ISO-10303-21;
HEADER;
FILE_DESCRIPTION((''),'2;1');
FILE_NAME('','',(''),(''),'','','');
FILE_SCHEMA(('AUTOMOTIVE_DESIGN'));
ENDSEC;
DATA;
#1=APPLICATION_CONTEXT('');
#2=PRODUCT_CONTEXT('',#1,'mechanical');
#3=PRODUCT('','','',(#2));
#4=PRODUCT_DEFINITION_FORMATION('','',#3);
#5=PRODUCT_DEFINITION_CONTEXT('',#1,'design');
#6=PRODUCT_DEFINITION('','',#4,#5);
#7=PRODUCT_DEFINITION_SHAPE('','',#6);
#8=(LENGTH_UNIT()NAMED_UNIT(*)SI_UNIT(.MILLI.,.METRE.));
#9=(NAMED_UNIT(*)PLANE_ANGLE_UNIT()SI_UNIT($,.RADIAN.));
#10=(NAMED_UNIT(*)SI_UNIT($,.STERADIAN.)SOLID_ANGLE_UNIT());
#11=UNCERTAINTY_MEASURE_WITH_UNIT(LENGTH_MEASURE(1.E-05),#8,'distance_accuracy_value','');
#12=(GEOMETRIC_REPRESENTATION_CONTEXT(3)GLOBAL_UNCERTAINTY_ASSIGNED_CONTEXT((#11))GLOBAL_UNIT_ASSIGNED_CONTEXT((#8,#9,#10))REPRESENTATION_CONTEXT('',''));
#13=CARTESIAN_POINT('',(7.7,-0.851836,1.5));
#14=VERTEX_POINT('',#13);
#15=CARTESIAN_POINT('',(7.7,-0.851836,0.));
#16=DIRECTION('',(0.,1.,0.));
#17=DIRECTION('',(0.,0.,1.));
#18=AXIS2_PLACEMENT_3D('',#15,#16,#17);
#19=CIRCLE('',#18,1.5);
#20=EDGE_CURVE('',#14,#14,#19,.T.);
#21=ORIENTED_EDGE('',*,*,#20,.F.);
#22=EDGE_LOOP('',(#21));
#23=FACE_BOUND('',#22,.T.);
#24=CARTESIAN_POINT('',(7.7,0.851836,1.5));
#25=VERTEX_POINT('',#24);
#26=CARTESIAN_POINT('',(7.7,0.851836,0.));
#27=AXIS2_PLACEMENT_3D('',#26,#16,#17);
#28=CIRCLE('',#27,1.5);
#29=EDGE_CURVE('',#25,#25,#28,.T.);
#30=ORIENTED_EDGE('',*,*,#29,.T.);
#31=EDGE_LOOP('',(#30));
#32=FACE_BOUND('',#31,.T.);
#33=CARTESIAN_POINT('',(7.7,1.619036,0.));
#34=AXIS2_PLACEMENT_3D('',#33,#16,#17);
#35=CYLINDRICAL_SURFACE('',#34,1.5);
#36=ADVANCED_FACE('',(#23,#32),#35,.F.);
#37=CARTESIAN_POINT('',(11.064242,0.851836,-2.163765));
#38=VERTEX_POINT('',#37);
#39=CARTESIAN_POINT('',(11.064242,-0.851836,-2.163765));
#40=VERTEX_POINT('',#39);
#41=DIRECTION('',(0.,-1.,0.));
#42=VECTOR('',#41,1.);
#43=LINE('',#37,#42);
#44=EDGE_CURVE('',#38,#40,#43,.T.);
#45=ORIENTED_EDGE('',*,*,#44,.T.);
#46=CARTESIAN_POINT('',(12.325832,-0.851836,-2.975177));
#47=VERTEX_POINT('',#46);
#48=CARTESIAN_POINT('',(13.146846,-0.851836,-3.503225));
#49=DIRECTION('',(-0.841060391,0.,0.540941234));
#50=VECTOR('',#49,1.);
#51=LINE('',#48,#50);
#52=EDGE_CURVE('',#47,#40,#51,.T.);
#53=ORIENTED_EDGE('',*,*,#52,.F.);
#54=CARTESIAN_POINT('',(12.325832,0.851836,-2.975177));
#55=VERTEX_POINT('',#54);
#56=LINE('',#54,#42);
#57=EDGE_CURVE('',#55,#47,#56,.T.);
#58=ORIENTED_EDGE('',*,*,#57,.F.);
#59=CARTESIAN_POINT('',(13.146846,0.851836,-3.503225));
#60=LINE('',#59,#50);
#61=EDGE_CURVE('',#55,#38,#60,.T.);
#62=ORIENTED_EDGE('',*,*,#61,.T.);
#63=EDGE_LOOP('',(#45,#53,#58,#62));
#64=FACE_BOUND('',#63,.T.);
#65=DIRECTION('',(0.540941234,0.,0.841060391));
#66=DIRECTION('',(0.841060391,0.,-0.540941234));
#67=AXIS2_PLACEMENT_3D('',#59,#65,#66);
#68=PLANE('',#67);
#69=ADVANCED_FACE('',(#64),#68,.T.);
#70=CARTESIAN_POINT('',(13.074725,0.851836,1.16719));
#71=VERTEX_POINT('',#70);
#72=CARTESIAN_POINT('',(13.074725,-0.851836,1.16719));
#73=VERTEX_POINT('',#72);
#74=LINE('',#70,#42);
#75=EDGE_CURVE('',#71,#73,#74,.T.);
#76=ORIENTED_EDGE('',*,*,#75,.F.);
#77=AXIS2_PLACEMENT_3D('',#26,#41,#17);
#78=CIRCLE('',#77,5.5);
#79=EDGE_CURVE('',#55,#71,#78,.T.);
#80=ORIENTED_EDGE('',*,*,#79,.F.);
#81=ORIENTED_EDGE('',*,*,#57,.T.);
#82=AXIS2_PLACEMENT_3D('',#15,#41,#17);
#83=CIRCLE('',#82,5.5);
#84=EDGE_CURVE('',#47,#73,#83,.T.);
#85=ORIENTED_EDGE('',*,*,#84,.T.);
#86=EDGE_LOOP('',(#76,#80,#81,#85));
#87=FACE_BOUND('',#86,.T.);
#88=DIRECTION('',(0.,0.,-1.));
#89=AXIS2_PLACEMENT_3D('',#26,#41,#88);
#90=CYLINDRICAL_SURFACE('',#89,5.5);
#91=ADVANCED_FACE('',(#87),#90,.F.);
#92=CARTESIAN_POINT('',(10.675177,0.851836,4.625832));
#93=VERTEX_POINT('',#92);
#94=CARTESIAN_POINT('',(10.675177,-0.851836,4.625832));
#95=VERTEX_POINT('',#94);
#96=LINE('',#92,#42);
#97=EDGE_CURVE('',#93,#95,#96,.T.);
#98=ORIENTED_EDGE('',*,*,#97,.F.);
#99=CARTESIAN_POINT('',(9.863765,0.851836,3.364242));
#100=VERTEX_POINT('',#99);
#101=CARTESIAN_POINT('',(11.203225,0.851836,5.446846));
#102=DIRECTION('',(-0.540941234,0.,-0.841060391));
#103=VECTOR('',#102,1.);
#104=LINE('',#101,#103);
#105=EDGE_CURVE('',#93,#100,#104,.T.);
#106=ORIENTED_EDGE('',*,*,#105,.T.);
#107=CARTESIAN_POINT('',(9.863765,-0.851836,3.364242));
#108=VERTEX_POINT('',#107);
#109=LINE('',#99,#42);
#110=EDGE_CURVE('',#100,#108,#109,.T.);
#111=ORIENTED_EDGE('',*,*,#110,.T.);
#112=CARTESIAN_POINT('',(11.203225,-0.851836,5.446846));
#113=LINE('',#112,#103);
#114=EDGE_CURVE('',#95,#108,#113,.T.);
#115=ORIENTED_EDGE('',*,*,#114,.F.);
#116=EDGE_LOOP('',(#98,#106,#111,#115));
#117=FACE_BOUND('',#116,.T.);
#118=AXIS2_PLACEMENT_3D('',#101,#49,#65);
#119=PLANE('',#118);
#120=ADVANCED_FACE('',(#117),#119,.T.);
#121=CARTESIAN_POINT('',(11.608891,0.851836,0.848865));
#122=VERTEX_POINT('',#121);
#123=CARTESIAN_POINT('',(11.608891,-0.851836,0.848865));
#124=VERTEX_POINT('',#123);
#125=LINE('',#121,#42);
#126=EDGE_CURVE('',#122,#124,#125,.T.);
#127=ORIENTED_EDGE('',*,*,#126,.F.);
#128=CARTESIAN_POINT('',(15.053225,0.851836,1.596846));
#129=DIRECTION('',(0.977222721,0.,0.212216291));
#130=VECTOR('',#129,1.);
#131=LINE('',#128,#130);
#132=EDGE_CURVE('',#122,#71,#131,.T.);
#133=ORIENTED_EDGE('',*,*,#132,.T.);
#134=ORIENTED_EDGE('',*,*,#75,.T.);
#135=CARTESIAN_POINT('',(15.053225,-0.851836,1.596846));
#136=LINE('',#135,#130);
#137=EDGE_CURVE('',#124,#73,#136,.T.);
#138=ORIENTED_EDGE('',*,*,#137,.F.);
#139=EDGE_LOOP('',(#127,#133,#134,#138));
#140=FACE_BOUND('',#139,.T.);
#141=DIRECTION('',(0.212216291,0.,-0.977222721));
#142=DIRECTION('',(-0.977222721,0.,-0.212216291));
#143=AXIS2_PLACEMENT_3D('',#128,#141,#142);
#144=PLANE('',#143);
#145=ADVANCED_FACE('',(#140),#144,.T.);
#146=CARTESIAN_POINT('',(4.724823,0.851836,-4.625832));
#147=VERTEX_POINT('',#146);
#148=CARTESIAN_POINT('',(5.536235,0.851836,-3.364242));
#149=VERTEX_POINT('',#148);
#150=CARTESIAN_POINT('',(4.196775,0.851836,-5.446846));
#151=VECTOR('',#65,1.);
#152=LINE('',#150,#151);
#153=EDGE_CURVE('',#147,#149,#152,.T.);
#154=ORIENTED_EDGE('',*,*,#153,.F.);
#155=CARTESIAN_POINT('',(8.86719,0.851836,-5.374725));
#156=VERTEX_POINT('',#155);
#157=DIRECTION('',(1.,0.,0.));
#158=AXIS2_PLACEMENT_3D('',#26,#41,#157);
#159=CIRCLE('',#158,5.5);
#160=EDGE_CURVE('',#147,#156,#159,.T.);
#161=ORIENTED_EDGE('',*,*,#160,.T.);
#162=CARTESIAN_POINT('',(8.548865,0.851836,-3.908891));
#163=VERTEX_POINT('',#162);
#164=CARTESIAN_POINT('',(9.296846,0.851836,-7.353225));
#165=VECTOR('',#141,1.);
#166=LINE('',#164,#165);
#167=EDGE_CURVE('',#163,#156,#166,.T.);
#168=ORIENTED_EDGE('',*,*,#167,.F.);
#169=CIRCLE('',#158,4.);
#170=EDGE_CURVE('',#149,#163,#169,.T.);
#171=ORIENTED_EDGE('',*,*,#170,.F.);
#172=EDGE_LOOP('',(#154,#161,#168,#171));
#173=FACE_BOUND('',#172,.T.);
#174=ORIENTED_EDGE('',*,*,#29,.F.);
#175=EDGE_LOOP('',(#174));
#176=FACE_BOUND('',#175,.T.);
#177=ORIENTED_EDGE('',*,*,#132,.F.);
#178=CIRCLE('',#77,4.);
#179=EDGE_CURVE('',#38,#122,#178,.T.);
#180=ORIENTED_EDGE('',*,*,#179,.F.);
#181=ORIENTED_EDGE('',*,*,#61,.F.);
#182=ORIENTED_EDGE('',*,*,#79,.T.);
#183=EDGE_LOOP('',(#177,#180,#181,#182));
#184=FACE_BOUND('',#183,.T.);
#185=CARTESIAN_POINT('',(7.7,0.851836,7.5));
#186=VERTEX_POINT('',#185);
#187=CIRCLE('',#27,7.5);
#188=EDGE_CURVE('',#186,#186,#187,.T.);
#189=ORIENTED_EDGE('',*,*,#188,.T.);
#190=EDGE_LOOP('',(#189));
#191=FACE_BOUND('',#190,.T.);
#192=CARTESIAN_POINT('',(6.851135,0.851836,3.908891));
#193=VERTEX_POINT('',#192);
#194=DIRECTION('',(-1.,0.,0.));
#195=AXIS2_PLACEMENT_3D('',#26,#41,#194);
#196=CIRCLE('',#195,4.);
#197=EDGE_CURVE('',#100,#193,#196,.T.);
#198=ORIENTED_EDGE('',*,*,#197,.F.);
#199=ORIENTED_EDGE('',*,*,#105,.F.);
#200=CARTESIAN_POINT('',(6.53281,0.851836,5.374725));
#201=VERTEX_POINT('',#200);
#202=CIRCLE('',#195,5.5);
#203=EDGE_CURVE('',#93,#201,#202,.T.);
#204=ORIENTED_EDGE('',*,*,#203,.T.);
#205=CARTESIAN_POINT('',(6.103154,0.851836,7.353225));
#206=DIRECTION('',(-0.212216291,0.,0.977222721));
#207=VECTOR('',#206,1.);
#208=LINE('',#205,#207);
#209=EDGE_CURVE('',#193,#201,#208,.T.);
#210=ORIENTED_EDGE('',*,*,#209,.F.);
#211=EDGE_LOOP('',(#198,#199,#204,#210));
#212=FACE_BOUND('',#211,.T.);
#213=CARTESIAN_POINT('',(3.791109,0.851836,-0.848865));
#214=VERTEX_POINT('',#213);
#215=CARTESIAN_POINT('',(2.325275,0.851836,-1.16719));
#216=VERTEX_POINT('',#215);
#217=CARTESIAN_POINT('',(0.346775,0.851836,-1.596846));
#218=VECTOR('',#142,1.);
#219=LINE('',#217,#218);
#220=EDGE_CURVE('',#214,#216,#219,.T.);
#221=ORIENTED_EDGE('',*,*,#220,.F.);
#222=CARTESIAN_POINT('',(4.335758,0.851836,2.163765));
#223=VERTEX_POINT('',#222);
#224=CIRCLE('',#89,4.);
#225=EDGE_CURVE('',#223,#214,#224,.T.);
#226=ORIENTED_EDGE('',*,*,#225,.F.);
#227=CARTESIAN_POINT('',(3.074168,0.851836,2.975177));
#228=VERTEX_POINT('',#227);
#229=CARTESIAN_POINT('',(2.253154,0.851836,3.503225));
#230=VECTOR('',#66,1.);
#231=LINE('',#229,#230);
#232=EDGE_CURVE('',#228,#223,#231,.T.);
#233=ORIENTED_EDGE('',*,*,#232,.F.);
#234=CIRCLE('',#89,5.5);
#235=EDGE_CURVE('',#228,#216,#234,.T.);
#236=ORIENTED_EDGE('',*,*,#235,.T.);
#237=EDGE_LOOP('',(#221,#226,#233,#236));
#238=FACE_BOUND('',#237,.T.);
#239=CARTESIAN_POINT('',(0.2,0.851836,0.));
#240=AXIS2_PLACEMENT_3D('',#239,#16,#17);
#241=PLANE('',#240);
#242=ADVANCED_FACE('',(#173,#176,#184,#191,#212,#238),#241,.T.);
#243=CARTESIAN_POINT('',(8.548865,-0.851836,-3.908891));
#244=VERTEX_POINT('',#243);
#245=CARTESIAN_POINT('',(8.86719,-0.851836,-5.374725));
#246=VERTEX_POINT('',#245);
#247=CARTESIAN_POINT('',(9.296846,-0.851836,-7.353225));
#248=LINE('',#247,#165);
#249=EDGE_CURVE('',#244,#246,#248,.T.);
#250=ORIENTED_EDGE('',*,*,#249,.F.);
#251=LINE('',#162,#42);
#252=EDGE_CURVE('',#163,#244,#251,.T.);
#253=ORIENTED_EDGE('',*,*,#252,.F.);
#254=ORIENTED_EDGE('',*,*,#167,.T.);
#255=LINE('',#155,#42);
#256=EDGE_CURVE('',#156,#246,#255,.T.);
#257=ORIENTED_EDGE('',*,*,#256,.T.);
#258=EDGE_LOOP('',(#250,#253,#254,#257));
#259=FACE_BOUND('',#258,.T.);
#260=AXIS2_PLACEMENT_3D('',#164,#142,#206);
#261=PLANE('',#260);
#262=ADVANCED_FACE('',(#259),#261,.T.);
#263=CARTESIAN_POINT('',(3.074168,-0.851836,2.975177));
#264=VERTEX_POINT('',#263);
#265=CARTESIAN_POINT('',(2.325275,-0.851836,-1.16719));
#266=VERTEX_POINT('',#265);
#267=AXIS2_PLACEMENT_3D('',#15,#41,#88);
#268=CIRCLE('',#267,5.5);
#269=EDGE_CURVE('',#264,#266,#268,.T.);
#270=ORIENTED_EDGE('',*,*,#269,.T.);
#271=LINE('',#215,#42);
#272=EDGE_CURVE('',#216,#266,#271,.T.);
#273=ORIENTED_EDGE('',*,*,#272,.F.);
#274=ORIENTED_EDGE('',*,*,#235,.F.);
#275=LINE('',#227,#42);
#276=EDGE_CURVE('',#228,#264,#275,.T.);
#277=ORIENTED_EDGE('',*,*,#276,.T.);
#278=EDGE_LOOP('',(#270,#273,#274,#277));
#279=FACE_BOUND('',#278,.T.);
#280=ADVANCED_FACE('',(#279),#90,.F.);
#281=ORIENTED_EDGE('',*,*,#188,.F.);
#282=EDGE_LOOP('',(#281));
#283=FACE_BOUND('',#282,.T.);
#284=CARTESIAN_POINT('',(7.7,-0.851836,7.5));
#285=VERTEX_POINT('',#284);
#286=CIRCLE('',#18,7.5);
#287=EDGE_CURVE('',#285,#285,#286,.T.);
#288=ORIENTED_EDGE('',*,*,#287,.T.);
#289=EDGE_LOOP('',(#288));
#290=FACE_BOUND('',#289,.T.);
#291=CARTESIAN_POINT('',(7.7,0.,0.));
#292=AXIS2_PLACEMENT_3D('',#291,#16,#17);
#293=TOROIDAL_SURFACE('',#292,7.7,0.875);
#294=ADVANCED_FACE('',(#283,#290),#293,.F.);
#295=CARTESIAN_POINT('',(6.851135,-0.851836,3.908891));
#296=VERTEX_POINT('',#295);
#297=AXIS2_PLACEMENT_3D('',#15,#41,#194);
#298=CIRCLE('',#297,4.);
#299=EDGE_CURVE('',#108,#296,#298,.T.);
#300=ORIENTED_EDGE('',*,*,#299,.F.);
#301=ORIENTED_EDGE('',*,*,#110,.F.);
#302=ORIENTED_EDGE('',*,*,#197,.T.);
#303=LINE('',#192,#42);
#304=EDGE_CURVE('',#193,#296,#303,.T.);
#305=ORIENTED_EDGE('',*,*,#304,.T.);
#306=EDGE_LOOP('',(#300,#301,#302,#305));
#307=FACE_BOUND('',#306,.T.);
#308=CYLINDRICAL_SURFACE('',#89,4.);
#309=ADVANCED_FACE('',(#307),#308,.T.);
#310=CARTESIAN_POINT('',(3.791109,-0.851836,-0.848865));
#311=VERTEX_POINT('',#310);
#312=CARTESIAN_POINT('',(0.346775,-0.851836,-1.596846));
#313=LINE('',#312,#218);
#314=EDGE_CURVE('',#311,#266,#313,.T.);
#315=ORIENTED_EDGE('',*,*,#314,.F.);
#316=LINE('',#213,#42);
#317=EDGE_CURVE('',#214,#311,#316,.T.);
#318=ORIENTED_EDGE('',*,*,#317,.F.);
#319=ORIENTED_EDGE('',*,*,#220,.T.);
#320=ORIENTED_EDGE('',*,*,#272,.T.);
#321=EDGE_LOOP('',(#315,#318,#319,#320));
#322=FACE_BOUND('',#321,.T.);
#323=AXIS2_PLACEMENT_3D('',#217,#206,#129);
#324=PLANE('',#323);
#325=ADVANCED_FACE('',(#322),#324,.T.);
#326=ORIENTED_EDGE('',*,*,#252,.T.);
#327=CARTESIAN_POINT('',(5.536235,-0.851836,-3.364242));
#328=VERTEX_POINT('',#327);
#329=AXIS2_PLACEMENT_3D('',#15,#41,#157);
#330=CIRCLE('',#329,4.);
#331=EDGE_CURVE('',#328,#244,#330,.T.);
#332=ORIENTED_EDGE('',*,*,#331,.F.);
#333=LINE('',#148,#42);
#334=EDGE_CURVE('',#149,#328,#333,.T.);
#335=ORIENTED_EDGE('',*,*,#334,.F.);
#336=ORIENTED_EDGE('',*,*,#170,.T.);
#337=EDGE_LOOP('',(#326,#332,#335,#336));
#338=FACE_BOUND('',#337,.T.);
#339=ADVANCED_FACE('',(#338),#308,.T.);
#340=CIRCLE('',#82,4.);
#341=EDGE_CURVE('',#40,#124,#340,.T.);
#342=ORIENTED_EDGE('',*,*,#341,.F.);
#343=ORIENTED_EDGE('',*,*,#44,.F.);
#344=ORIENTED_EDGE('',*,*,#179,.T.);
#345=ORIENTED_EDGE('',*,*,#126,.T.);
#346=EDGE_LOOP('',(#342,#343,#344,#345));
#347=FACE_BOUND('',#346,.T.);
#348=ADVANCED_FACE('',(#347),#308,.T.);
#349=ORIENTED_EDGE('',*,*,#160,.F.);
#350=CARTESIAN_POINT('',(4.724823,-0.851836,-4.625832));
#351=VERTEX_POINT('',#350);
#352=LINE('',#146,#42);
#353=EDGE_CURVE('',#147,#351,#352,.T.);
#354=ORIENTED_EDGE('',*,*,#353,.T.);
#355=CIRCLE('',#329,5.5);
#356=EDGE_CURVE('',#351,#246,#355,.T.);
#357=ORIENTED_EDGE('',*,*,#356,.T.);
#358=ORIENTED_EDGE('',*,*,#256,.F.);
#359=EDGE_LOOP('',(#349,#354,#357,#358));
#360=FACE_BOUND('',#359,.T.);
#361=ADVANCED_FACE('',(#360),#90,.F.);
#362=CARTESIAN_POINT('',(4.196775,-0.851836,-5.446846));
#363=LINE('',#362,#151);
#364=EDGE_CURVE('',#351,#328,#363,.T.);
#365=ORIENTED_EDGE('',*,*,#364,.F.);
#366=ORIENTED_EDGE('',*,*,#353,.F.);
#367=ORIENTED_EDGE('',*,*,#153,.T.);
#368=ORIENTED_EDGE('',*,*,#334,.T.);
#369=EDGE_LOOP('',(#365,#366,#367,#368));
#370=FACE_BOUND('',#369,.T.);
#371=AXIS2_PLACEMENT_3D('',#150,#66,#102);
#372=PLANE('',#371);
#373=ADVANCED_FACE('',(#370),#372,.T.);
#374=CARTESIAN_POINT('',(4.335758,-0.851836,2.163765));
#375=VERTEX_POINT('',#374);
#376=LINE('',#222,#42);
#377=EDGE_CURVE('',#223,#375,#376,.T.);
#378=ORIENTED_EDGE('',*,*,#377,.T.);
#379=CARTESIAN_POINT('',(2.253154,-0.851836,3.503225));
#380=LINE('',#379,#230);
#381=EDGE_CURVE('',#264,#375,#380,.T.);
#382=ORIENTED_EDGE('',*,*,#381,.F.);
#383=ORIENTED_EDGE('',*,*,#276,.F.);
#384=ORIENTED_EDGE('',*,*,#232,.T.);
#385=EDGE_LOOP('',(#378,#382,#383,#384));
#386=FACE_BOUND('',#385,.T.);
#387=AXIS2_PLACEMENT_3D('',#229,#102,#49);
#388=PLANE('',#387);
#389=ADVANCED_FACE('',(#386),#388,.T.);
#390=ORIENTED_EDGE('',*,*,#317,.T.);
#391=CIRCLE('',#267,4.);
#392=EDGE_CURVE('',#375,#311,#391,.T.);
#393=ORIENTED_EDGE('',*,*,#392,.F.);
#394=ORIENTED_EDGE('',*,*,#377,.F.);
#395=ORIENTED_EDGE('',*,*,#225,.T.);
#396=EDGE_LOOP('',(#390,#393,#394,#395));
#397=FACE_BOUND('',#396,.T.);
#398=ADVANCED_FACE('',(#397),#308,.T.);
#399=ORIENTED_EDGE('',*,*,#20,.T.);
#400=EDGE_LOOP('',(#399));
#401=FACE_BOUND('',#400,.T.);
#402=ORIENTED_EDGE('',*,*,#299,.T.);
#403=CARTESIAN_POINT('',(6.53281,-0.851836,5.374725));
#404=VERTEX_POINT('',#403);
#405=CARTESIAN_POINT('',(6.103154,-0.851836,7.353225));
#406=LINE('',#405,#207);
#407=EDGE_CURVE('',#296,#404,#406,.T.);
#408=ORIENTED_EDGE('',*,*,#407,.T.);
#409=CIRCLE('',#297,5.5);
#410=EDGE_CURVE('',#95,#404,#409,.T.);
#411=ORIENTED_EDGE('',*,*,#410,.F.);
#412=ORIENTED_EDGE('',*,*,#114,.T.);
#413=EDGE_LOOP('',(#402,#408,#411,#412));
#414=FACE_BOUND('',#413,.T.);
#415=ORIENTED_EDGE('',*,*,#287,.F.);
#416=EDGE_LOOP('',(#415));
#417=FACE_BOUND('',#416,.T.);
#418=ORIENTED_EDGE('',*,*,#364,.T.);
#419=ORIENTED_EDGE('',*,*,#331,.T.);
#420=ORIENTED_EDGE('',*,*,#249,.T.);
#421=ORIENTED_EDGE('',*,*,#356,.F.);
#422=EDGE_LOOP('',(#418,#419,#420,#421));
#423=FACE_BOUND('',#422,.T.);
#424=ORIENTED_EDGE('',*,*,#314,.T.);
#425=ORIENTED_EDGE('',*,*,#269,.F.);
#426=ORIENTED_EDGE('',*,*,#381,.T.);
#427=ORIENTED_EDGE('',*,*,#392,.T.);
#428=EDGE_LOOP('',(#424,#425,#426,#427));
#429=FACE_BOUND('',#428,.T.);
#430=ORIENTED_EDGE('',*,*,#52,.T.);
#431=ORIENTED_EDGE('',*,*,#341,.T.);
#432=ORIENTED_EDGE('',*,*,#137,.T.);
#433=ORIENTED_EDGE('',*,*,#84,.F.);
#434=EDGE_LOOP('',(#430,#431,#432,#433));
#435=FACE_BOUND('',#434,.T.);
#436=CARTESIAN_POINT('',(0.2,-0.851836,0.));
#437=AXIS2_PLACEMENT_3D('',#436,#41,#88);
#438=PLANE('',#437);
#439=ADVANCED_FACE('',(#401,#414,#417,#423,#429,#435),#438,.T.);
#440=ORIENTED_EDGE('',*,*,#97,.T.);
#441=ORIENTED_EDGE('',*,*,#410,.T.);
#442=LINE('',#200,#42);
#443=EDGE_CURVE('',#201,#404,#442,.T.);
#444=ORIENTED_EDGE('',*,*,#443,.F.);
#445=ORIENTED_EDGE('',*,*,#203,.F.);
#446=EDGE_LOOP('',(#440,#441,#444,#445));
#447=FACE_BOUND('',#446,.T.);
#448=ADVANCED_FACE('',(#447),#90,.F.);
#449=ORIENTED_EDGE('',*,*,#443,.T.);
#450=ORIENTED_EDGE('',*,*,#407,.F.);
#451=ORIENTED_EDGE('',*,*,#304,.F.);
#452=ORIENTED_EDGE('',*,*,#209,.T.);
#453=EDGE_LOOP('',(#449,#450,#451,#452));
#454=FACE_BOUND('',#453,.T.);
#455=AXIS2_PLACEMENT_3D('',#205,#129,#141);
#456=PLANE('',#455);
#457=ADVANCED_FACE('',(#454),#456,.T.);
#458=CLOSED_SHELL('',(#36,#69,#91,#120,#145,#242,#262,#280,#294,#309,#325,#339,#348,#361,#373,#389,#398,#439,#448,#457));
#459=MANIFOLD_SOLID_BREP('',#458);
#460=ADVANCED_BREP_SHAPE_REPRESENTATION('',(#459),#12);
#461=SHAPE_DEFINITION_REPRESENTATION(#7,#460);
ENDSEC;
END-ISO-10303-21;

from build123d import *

# Parameters (mm, degrees)
TAGLIO_ESTRUSIONE1_DEPTH    = 18.035037423
RIPETIZIONECIRCOLARE1_COUNT = 4


with BuildPart() as part:
    # Schizzo1 → Rivoluzione1 (revolve)
    with BuildSketch(Plane.XY, mode=Mode.PRIVATE) as rivoluzione1_sk:
        with BuildLine():
            Line((0.2, 0.851836252), (6.2, 0.851836252))
            Line((6.2, 0.851836252), (6.2, -0.851836252))
            Line((6.2, -0.851836252), (0.2, -0.851836252))
            ThreePointArc((0.2, -0.851836252), (0.875, 0), (0.2, 0.851836252))
        make_face()
    revolve(rivoluzione1_sk.sketch.rotate(Axis((7.7, 1.619035734, 0), (0, -1, 0)), 270), axis=Axis((7.7, 1.619035734, 0), (0, -1, 0)))

    # Schizzo2 → Taglio-Estrusione1 (cut, through all)
    with BuildSketch(Plane.XZ.offset(0.851836252)):
        with BuildLine():
            Line((4.335758437, 2.163764938), (3.074167851, 2.97517679))
            ThreePointArc((3.074167851, 2.97517679), (2.287737491, 0.978475617), (2.325275036, -1.167189598))
            Line((2.325275036, -1.167189598), (3.791109117, -0.848865162))
            ThreePointArc((3.791109117, -0.848865162), (3.763809084, 0.711618631), (4.335758437, 2.163764938))
        make_face()
    taglio_estrusione1 = extrude(amount=-TAGLIO_ESTRUSIONE1_DEPTH, mode=Mode.SUBTRACT)

    # RipetizioneCircolare1: Taglio-Estrusione1 ×4 about axis
    ripetizionecircolare1_axis = Axis((7.7, -0.851836252, 0), (0, 1, 0))
    for i in range(1, RIPETIZIONECIRCOLARE1_COUNT):
        add(taglio_estrusione1.rotate(ripetizionecircolare1_axis, i * 360 / RIPETIZIONECIRCOLARE1_COUNT), mode=Mode.SUBTRACT)


solid = part.part
